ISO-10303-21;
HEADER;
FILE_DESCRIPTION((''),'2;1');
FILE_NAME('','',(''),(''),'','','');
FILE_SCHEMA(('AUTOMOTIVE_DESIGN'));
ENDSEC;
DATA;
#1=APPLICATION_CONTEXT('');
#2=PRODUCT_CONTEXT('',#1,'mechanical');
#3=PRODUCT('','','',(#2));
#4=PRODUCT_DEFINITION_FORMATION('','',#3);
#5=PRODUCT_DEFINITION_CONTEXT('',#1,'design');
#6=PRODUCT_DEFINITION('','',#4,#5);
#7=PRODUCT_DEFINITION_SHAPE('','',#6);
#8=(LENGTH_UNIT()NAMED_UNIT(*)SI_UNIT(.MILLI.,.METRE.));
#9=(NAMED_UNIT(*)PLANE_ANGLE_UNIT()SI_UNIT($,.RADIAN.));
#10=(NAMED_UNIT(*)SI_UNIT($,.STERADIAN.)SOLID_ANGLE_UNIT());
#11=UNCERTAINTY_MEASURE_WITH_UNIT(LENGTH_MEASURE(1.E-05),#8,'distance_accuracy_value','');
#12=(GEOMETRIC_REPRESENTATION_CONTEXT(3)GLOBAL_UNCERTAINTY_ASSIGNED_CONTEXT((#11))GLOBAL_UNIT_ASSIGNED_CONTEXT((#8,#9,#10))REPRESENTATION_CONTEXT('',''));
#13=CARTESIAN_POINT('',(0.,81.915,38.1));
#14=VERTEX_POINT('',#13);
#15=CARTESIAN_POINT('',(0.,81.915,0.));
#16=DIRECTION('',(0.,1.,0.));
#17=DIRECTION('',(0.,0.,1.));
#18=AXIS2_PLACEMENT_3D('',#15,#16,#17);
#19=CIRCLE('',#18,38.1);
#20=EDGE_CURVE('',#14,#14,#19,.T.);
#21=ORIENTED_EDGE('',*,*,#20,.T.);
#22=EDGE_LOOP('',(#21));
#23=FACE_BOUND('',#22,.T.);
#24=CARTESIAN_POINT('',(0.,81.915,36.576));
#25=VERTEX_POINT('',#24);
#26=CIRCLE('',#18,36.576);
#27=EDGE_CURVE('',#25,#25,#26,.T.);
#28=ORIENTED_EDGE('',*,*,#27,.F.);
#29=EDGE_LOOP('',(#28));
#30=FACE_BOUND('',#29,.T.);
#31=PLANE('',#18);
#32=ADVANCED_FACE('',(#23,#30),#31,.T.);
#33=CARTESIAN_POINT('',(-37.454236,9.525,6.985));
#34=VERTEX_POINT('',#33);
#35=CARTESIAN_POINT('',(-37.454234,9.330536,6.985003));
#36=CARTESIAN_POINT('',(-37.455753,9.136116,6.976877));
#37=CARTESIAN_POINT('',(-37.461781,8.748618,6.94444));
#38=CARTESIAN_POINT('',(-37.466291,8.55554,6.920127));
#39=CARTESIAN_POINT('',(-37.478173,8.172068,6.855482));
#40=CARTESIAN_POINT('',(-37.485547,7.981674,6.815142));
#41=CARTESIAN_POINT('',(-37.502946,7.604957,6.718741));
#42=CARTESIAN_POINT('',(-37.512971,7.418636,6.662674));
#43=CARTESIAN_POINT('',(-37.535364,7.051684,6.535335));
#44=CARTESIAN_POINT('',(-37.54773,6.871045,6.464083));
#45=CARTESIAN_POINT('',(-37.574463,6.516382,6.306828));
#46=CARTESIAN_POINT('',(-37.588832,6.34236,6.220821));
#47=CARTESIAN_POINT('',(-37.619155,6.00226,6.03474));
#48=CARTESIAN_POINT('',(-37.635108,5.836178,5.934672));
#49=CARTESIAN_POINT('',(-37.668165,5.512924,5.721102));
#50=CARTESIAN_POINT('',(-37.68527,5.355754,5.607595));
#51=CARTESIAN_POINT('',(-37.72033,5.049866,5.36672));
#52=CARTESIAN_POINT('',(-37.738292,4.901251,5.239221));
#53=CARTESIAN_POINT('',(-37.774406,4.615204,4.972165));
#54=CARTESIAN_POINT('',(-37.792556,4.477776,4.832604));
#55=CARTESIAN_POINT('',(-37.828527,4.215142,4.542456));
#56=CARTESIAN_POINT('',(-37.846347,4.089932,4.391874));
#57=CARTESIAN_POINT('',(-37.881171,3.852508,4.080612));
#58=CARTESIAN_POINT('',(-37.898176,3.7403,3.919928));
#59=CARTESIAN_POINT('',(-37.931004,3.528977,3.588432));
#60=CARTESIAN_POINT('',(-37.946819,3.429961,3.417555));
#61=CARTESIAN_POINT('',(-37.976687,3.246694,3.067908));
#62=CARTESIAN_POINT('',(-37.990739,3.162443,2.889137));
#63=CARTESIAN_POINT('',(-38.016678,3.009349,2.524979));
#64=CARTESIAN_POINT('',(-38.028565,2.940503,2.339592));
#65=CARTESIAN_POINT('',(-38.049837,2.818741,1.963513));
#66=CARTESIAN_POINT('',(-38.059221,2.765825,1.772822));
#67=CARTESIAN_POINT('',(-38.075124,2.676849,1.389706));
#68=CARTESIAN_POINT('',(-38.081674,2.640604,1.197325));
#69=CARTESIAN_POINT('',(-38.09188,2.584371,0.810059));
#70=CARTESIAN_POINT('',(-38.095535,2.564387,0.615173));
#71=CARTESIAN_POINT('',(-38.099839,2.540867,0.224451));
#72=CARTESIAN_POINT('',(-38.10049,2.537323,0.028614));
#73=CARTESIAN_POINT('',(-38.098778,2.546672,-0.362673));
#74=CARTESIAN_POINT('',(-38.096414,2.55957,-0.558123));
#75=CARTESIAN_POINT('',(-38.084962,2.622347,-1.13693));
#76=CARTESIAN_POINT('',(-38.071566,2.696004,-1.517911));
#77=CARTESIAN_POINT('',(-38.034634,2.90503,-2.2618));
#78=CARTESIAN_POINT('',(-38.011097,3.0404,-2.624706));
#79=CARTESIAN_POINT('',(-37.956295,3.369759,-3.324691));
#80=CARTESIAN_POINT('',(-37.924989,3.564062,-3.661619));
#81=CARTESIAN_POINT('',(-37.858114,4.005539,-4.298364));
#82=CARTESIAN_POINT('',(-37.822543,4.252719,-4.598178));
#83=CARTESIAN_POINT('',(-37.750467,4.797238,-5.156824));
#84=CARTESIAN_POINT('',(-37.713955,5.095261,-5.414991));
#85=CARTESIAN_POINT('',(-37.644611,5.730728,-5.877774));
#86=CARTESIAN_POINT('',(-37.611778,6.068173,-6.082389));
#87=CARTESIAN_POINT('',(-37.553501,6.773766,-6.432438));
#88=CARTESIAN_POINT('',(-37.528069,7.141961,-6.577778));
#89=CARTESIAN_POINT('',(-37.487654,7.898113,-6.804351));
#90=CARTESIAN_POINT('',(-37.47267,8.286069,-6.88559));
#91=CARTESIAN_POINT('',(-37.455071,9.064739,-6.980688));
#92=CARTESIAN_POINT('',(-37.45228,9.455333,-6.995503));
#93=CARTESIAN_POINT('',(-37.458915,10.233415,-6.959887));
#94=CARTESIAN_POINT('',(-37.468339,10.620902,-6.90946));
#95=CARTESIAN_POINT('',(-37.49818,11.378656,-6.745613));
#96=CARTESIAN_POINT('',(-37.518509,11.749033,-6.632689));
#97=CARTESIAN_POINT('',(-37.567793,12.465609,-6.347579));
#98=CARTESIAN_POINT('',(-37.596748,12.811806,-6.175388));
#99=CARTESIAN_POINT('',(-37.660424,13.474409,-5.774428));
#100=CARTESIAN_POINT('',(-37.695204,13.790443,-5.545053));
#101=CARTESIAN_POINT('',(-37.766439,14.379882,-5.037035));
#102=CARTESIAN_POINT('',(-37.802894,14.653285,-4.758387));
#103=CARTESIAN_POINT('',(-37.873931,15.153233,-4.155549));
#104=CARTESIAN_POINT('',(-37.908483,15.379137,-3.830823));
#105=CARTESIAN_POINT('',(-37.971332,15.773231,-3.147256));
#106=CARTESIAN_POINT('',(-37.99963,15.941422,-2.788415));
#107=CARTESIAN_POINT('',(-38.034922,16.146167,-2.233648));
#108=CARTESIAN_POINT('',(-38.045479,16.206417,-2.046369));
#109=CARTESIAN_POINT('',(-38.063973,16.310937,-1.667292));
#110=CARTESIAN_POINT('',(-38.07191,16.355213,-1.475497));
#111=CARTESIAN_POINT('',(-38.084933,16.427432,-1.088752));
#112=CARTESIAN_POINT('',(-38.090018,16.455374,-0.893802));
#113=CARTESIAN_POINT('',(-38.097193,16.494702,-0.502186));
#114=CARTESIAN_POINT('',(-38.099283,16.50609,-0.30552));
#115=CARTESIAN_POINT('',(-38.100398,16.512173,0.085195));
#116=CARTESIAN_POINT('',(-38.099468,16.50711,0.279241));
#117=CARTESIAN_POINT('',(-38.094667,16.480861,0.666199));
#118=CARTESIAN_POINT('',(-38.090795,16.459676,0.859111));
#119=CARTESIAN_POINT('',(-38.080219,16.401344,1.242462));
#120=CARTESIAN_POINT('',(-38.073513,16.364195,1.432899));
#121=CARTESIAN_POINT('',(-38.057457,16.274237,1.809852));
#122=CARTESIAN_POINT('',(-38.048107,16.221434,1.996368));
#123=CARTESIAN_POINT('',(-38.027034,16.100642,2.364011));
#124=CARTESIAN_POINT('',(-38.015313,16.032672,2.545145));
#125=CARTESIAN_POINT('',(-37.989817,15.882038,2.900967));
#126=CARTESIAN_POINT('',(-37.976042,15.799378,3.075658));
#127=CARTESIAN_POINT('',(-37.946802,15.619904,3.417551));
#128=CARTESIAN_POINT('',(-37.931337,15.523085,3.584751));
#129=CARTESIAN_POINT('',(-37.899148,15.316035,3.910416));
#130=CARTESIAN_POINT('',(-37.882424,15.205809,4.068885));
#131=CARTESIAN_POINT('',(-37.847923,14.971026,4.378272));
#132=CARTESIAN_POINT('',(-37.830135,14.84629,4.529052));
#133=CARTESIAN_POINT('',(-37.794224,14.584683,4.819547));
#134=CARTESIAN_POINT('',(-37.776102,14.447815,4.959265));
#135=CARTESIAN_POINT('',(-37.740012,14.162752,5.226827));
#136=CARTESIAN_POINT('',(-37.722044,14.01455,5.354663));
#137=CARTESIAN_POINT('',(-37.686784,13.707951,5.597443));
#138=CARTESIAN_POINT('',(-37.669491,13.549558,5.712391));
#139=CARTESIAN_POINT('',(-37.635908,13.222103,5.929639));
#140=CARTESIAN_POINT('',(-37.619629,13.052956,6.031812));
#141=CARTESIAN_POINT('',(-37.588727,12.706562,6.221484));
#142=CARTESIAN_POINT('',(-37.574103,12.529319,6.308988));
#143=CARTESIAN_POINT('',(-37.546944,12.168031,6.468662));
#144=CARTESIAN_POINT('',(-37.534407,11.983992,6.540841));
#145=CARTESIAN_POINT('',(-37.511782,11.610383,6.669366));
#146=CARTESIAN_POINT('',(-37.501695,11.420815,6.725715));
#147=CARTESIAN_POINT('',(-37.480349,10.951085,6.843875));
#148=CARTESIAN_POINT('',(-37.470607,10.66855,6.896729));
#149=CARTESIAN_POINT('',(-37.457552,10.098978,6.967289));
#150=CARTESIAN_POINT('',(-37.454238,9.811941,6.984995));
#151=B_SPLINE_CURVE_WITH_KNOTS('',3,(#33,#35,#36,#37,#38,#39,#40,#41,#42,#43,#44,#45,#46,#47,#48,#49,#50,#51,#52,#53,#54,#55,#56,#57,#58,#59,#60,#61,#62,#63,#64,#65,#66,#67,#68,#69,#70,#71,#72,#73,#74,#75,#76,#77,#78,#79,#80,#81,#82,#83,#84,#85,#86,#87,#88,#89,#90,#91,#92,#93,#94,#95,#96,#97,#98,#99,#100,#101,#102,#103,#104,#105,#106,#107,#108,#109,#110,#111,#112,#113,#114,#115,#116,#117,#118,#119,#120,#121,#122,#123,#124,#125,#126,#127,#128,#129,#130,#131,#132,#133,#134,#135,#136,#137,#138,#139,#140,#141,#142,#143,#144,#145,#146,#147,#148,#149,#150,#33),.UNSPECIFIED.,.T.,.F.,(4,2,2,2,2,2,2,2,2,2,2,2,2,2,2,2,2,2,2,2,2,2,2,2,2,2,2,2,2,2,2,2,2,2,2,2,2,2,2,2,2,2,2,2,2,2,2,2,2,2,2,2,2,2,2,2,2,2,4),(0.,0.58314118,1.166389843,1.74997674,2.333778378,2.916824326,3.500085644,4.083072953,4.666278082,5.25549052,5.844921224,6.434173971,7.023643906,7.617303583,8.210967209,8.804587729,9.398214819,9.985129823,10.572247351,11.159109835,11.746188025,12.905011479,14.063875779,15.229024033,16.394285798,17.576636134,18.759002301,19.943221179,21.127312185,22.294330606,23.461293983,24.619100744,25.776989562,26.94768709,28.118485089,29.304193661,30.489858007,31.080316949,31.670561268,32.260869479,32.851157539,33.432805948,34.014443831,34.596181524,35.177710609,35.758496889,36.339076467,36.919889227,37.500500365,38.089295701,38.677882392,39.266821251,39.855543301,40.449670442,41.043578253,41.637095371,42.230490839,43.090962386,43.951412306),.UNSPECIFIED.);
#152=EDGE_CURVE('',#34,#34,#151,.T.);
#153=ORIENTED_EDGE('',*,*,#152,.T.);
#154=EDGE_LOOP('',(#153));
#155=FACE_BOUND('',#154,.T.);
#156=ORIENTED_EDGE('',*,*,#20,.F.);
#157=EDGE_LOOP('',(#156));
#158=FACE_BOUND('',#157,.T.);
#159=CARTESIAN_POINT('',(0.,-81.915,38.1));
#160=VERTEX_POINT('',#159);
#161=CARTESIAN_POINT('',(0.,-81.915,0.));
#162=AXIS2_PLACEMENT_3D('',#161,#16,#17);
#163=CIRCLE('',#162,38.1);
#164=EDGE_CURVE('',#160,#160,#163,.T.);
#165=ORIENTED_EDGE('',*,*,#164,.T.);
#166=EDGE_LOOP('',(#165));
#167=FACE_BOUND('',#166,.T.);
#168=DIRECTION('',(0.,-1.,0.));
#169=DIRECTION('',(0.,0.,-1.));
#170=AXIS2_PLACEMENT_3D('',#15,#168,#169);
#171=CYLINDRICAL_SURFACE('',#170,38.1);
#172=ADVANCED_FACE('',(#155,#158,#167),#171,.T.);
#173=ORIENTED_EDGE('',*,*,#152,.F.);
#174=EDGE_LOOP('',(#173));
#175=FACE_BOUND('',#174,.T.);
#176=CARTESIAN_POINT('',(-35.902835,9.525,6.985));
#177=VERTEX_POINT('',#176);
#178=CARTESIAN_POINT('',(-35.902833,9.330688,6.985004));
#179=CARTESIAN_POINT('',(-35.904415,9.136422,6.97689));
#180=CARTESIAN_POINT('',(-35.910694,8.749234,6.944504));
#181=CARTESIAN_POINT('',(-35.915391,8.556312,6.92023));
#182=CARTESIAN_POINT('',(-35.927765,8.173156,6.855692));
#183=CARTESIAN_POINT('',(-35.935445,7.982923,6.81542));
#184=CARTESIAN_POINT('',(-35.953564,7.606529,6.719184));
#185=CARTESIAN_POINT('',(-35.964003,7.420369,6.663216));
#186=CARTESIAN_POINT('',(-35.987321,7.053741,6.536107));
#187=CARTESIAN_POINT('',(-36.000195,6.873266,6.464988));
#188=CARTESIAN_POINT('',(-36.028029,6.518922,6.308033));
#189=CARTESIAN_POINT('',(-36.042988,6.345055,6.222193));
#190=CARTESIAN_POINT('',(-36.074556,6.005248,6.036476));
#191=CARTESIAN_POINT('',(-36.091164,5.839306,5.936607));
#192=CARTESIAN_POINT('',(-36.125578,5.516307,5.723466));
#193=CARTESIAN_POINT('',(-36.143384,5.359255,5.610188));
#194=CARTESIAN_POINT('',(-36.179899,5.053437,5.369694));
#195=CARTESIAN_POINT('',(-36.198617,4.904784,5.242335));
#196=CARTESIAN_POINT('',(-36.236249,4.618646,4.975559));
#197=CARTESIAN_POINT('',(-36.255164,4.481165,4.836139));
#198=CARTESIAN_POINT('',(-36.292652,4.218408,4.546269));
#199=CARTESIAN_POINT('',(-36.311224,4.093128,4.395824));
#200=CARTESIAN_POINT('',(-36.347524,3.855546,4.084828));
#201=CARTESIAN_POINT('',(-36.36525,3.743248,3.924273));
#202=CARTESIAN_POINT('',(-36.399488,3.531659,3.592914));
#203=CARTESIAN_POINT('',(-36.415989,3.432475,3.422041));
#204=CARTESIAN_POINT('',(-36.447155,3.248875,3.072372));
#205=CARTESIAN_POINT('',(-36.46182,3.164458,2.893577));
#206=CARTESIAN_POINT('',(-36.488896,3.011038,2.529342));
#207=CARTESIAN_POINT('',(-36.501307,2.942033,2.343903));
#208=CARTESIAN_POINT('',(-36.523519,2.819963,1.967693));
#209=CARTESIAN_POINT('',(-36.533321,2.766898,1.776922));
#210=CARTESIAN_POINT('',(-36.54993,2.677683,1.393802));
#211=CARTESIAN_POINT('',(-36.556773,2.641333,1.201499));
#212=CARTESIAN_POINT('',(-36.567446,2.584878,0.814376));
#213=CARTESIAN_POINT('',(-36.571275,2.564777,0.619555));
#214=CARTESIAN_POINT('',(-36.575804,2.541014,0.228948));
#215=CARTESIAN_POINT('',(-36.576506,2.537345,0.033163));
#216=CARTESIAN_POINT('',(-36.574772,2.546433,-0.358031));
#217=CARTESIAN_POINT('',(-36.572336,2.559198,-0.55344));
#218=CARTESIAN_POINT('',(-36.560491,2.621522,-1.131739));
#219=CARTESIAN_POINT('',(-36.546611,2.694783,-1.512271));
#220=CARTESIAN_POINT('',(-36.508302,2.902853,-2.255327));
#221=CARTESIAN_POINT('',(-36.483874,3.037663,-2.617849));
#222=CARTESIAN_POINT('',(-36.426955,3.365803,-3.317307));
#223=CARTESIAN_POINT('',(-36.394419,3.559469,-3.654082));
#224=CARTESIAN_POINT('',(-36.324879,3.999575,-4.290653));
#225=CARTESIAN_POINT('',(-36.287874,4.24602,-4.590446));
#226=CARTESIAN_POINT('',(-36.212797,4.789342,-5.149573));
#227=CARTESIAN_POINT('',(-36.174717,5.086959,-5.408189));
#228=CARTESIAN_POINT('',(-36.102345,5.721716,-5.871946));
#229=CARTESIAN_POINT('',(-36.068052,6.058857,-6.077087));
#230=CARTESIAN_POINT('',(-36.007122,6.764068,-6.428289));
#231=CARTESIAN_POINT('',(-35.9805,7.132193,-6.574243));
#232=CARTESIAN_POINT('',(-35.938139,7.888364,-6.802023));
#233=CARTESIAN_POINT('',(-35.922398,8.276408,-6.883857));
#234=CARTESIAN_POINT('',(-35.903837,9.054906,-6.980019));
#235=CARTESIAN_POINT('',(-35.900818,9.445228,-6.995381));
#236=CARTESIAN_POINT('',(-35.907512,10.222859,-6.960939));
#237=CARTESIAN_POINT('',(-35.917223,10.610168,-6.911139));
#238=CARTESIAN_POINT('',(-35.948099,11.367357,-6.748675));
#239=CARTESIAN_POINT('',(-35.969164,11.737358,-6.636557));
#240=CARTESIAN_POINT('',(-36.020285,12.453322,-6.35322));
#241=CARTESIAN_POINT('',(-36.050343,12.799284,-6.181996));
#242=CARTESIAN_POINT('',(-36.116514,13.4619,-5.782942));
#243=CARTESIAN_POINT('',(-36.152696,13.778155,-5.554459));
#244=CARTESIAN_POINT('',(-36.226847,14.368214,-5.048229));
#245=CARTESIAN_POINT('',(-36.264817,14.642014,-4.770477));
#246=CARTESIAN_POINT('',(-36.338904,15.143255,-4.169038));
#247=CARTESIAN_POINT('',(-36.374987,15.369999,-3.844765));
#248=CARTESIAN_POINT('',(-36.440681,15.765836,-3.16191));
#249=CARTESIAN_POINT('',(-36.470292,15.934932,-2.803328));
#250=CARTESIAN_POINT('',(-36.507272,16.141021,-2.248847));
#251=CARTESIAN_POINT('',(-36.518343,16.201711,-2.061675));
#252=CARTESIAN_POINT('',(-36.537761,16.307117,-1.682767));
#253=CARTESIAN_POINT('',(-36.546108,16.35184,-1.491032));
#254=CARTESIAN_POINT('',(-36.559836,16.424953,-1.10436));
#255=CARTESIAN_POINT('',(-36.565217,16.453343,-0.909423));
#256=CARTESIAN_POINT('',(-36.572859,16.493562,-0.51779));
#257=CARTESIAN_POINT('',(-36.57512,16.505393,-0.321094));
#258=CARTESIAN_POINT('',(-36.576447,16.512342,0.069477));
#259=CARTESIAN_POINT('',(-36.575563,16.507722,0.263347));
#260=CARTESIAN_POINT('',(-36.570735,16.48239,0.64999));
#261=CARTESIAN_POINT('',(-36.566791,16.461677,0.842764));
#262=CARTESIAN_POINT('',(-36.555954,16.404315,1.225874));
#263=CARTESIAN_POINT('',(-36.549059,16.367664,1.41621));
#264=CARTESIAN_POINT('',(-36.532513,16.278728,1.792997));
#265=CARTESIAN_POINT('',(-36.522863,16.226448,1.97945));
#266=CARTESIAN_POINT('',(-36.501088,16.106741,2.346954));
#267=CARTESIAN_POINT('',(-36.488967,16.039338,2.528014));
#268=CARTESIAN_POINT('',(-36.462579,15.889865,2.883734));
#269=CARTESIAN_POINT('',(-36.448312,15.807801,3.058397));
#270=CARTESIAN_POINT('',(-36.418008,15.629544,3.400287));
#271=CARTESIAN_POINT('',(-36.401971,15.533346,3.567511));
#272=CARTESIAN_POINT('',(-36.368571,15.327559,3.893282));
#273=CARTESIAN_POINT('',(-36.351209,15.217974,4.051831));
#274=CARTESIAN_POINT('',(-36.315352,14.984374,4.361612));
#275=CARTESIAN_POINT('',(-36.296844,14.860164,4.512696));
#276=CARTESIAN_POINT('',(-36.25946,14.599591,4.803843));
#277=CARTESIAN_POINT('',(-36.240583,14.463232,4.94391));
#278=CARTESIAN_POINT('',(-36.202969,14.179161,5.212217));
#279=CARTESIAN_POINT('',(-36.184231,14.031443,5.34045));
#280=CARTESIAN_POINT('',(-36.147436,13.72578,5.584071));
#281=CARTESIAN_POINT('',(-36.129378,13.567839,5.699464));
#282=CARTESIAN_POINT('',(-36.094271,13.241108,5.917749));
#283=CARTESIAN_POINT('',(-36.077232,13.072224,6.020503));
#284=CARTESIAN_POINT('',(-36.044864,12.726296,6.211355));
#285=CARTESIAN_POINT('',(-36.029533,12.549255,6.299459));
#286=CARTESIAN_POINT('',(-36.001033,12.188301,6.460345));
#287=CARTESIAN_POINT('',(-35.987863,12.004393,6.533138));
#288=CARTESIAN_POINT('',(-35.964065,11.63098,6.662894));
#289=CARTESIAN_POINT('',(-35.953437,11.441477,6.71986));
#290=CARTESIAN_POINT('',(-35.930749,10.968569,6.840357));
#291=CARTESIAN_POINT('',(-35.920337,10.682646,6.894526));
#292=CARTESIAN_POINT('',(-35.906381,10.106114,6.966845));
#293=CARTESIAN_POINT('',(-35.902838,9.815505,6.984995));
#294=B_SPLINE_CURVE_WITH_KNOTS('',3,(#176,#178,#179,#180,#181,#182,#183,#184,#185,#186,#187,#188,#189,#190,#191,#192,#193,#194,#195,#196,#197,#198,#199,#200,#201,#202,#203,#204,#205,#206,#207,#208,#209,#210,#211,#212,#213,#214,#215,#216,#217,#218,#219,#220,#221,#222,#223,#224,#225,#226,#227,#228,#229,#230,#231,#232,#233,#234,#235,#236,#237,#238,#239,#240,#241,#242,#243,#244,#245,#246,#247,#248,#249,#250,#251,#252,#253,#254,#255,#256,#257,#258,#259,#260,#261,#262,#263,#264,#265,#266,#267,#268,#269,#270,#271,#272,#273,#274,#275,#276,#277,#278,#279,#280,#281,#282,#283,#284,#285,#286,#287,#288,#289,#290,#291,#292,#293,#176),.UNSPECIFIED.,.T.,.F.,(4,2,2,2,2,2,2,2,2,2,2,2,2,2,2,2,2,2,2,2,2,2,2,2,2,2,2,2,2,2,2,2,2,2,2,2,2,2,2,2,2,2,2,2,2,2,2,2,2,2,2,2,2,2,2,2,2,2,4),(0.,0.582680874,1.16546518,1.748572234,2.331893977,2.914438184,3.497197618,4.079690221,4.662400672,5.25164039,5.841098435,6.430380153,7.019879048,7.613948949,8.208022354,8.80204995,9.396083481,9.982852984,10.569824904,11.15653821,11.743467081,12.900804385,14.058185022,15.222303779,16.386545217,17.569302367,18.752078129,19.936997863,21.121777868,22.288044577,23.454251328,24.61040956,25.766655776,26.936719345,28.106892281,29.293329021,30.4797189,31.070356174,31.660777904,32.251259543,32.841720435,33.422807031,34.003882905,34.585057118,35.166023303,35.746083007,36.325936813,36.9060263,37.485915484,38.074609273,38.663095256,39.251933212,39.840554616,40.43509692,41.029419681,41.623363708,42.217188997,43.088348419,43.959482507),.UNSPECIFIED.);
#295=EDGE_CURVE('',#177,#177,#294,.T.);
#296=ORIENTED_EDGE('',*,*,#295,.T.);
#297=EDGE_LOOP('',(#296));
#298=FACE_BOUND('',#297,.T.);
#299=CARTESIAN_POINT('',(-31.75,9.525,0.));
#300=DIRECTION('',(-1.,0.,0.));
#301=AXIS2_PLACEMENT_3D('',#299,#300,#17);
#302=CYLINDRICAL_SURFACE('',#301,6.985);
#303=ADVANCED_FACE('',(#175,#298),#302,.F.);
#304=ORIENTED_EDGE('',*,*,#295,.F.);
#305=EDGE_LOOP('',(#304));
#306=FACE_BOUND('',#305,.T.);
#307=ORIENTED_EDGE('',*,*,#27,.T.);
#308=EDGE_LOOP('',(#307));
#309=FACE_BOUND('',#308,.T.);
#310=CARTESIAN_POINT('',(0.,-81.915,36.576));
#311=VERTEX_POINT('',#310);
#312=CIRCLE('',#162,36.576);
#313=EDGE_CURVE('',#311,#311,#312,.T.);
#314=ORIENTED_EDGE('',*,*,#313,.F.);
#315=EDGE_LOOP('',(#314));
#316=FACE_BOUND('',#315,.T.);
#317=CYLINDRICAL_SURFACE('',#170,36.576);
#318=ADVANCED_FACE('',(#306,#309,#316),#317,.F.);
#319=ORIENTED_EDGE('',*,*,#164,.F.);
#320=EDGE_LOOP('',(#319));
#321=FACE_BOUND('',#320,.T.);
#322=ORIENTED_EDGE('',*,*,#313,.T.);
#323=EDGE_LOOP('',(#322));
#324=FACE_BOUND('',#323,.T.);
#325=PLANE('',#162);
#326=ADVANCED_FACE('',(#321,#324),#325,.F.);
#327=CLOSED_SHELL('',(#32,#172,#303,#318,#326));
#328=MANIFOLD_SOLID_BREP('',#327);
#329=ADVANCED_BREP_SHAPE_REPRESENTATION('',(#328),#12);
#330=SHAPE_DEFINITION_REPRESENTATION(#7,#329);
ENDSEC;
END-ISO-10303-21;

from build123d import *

# Parameters (mm, degrees)
SKETCH1_R           = 38.1
SKETCH1_R_2         = 36.576
BOSS_EXTRUDE1_DEPTH = 81.915
SKETCH2_R           = 6.985
CUT_EXTRUDE1_DEPTH  = 6.35


with BuildPart() as part:
    # Sketch1 → Boss-Extrude1 (new body, symmetric)
    with BuildSketch(Plane(origin=(0, 0, 0), x_dir=(1, 0, 0), z_dir=(0, 1, 0))):
        Circle(SKETCH1_R)
        Circle(SKETCH1_R_2, mode=Mode.SUBTRACT)
    extrude(amount=BOSS_EXTRUDE1_DEPTH, both=True)

    # Sketch2 → Cut-Extrude1 (cut)
    with BuildSketch(Plane.ZY.offset(38.1)):
        with Locations((0, 9.525)):
            Circle(SKETCH2_R)
    extrude(amount=-CUT_EXTRUDE1_DEPTH, mode=Mode.SUBTRACT)


solid = part.part
